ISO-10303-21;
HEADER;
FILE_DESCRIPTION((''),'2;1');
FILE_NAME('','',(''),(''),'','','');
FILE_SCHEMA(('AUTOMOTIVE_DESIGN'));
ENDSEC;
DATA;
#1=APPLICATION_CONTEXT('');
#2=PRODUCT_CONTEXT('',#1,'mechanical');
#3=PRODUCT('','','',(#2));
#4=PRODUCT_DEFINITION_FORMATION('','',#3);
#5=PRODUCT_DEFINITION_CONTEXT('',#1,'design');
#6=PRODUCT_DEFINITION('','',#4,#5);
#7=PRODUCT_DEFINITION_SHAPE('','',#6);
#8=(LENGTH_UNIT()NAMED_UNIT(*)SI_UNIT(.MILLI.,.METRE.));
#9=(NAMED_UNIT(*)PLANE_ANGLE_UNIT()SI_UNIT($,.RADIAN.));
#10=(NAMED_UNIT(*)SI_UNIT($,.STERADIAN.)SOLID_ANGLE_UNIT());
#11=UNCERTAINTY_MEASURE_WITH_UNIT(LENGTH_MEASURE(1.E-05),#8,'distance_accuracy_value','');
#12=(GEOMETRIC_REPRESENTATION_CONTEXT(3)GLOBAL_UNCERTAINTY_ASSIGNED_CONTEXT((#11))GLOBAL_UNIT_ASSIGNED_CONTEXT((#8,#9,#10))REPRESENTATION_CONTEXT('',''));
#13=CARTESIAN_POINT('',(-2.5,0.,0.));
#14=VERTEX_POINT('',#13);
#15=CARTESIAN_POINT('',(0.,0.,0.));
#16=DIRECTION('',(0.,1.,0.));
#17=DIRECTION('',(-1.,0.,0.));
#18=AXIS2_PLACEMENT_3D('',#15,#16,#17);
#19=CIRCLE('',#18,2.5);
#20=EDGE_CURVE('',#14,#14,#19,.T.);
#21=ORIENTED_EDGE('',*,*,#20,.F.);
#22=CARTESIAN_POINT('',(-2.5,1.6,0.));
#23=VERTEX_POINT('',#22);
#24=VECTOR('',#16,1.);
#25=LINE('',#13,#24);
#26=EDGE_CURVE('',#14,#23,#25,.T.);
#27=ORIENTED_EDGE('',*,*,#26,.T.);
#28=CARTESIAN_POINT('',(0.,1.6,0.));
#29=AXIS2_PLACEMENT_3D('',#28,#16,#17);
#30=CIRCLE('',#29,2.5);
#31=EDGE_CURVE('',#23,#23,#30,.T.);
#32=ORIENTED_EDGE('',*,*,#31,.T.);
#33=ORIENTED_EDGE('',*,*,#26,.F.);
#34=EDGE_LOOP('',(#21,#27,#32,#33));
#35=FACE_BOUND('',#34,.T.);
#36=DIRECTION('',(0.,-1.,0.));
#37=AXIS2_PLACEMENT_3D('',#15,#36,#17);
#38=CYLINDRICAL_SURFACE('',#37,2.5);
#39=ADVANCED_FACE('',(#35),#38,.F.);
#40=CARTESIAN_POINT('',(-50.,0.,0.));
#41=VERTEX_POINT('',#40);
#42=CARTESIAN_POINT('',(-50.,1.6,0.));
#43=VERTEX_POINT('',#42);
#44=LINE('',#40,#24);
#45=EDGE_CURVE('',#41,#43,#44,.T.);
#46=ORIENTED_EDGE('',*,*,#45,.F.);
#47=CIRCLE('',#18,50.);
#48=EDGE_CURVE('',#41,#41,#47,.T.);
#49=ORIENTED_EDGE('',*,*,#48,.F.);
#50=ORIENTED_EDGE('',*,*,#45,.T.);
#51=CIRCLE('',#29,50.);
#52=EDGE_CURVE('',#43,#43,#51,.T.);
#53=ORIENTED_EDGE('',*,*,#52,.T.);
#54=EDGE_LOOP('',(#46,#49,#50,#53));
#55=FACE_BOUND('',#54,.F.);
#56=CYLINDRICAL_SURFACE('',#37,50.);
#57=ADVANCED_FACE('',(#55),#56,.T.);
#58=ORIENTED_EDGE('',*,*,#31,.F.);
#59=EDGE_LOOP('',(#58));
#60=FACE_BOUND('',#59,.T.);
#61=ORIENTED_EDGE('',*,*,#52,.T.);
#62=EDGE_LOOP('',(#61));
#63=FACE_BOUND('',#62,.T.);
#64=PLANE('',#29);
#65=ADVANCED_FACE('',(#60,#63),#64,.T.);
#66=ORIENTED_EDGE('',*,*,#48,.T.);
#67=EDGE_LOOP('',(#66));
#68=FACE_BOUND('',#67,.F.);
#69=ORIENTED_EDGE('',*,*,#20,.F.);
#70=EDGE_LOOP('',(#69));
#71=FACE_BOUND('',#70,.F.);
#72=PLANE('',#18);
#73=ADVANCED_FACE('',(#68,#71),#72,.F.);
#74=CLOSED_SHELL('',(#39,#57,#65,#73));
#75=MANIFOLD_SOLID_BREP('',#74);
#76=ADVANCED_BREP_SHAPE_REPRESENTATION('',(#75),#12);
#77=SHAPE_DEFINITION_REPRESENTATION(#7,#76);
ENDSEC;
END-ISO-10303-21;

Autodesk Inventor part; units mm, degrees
ref_plane "YZ Plane" through (0, 0, 0) normal (1, 0, 0) x (0, 1, 0)
ref_plane "XZ Plane" through (0, 0, 0) normal (0, 1, 0) x (-1, 0, 0)
ref_plane "XY Plane" through (0, 0, 0) normal (0, 0, 1) x (1, 0, 0)
sketch "Sketch1" plane through (0, 0, 0) normal (0, 1, 0) x (-1, 0, 0)
  circle A0 centre (0, 0) radius 50
  circle A1 centre (0, 0) radius 2.5
  dimension "d0" = 100
  dimension "d1" = 5
extrude "Extrusion1" add sketch "Sketch1" along normal blind 1.6
properties part number "PCB_insert"
